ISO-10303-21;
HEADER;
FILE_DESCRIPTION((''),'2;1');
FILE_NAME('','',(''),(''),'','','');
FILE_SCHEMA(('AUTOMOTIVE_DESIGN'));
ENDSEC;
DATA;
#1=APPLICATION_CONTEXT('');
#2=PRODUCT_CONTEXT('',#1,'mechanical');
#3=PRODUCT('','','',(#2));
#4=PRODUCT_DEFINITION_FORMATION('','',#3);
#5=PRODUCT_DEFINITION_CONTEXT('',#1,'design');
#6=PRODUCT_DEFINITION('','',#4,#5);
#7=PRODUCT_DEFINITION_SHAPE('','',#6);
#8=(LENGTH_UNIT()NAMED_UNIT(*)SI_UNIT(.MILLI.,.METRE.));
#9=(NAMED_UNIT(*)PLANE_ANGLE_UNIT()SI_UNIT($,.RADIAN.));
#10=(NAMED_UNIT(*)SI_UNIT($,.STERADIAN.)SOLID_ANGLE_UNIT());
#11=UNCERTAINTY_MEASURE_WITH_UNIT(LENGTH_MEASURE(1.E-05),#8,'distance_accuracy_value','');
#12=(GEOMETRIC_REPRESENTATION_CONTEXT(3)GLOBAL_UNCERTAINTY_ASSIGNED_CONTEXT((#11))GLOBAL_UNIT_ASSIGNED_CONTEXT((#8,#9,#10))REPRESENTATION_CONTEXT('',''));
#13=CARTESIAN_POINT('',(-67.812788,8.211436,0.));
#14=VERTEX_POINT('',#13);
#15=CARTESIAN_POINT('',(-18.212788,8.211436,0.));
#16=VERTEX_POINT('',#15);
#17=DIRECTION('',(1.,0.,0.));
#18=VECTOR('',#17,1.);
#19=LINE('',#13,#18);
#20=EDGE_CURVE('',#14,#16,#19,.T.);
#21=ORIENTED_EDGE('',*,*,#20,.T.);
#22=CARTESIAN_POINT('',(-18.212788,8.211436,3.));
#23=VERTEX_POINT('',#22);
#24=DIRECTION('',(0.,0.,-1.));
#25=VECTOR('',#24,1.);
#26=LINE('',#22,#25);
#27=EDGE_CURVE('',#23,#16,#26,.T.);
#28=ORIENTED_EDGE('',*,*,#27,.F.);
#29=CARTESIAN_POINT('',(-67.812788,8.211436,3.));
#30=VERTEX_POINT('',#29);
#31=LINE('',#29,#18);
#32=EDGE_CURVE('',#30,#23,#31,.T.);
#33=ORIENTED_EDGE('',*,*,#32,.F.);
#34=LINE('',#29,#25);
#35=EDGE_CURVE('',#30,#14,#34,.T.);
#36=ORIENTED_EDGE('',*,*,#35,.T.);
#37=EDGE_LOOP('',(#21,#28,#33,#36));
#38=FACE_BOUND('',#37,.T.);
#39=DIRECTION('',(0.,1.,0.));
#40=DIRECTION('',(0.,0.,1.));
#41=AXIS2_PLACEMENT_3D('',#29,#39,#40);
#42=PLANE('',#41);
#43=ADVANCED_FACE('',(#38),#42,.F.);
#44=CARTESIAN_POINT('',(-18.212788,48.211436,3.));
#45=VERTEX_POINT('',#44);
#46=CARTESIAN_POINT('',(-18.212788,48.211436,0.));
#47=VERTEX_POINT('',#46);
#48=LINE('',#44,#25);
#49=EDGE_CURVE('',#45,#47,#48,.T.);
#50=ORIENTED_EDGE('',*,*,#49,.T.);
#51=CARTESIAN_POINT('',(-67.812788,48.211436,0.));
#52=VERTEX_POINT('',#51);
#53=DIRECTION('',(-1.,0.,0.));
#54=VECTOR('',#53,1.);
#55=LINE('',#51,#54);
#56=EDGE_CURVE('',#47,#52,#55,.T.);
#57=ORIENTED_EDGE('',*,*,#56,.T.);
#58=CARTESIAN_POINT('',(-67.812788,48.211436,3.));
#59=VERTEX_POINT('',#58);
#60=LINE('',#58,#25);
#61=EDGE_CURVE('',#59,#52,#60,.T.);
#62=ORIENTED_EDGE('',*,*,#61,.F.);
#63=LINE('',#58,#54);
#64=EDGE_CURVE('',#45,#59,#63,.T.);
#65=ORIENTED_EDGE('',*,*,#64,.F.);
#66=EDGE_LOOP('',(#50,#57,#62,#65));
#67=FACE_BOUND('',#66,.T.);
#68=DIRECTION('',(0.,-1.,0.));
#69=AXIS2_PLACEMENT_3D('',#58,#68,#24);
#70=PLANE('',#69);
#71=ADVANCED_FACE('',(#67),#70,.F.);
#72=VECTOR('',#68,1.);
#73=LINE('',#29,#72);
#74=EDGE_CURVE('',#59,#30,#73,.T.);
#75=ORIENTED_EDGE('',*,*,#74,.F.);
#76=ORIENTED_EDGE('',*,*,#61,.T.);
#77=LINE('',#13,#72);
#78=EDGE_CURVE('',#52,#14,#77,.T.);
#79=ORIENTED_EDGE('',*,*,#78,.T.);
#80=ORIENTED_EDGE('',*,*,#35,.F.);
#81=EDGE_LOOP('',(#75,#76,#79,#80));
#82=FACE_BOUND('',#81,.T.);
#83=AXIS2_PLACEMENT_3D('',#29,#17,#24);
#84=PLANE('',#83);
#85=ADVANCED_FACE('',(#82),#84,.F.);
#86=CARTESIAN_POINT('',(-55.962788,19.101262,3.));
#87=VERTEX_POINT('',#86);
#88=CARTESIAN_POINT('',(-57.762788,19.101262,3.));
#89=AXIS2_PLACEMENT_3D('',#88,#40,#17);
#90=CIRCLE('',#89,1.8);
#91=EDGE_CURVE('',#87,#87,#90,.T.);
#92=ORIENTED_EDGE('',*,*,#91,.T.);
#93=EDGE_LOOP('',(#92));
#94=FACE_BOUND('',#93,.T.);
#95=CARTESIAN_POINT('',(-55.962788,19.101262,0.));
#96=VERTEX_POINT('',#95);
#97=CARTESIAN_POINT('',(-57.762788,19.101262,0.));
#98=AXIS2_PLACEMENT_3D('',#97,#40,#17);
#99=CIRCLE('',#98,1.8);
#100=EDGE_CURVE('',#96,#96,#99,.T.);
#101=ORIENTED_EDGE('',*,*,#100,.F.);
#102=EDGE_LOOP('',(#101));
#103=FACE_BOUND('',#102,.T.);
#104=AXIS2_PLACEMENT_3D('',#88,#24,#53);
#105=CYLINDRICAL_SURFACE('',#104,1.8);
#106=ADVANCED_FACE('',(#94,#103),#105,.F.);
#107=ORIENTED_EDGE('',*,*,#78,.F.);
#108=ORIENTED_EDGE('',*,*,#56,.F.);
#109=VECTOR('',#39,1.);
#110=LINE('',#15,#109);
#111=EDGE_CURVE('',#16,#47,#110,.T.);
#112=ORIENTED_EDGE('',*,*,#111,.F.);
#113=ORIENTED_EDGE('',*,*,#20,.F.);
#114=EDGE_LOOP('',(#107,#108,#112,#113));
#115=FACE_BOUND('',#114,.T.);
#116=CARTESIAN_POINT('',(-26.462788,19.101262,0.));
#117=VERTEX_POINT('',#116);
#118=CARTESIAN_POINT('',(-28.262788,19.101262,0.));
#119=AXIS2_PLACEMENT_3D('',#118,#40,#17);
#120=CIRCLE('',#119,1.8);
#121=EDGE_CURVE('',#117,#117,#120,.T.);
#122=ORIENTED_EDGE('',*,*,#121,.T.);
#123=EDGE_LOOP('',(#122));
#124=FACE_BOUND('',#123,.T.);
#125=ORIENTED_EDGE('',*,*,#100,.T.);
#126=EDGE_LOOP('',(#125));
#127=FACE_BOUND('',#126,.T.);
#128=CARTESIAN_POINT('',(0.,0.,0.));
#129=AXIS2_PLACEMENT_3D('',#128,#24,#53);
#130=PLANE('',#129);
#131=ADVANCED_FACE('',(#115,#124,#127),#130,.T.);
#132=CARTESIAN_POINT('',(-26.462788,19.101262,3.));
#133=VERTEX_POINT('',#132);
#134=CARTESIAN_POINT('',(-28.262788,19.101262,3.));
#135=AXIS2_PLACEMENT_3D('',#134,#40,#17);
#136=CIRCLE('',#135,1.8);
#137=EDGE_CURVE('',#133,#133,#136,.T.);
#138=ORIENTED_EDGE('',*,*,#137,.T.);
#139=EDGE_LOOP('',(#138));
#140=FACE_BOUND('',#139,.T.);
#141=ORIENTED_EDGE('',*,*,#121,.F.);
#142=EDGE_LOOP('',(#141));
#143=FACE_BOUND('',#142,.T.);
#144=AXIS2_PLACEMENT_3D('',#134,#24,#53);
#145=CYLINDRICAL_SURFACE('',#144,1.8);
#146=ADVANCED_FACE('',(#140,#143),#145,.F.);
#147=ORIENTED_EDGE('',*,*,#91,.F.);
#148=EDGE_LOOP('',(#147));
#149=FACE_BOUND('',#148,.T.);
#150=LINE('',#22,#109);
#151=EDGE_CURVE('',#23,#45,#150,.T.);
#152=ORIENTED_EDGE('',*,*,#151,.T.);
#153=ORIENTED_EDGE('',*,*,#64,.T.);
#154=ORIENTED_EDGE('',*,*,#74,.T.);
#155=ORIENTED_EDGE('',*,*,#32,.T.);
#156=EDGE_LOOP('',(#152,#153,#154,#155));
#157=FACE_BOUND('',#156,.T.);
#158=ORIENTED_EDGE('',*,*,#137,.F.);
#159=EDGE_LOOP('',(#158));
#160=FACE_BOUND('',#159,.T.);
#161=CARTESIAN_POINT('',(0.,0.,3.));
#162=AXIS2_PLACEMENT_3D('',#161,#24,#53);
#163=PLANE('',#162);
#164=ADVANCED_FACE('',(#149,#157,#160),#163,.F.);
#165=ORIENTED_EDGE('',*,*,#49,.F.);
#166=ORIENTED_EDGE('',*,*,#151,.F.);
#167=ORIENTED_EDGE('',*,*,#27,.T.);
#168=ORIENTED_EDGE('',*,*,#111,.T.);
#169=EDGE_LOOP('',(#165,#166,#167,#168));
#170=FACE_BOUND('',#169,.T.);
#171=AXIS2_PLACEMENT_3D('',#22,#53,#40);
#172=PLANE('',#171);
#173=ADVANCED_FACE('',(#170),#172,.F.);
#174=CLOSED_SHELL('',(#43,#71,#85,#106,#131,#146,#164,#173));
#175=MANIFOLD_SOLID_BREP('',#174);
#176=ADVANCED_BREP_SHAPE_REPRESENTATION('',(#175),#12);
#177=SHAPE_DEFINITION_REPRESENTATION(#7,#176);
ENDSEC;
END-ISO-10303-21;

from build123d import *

# Parameters (mm, degrees)
SKETCH1_W           = 49.6
SKETCH1_H           = 40
SKETCH1_R           = 1.8
BOSS_EXTRUDE1_DEPTH = 3


with BuildPart() as part:
    # Sketch1 → Boss-Extrude1 (new body)
    with BuildSketch(Plane.XY):
        with Locations((-43.012787822, 28.211435671)):
            Rectangle(SKETCH1_W, SKETCH1_H)
        with Locations((-28.262787822, 19.101262419)):
            Circle(SKETCH1_R, mode=Mode.SUBTRACT)
        with Locations((-57.762787822, 19.101262419)):
            Circle(SKETCH1_R, mode=Mode.SUBTRACT)
    extrude(amount=BOSS_EXTRUDE1_DEPTH)


solid = part.part
